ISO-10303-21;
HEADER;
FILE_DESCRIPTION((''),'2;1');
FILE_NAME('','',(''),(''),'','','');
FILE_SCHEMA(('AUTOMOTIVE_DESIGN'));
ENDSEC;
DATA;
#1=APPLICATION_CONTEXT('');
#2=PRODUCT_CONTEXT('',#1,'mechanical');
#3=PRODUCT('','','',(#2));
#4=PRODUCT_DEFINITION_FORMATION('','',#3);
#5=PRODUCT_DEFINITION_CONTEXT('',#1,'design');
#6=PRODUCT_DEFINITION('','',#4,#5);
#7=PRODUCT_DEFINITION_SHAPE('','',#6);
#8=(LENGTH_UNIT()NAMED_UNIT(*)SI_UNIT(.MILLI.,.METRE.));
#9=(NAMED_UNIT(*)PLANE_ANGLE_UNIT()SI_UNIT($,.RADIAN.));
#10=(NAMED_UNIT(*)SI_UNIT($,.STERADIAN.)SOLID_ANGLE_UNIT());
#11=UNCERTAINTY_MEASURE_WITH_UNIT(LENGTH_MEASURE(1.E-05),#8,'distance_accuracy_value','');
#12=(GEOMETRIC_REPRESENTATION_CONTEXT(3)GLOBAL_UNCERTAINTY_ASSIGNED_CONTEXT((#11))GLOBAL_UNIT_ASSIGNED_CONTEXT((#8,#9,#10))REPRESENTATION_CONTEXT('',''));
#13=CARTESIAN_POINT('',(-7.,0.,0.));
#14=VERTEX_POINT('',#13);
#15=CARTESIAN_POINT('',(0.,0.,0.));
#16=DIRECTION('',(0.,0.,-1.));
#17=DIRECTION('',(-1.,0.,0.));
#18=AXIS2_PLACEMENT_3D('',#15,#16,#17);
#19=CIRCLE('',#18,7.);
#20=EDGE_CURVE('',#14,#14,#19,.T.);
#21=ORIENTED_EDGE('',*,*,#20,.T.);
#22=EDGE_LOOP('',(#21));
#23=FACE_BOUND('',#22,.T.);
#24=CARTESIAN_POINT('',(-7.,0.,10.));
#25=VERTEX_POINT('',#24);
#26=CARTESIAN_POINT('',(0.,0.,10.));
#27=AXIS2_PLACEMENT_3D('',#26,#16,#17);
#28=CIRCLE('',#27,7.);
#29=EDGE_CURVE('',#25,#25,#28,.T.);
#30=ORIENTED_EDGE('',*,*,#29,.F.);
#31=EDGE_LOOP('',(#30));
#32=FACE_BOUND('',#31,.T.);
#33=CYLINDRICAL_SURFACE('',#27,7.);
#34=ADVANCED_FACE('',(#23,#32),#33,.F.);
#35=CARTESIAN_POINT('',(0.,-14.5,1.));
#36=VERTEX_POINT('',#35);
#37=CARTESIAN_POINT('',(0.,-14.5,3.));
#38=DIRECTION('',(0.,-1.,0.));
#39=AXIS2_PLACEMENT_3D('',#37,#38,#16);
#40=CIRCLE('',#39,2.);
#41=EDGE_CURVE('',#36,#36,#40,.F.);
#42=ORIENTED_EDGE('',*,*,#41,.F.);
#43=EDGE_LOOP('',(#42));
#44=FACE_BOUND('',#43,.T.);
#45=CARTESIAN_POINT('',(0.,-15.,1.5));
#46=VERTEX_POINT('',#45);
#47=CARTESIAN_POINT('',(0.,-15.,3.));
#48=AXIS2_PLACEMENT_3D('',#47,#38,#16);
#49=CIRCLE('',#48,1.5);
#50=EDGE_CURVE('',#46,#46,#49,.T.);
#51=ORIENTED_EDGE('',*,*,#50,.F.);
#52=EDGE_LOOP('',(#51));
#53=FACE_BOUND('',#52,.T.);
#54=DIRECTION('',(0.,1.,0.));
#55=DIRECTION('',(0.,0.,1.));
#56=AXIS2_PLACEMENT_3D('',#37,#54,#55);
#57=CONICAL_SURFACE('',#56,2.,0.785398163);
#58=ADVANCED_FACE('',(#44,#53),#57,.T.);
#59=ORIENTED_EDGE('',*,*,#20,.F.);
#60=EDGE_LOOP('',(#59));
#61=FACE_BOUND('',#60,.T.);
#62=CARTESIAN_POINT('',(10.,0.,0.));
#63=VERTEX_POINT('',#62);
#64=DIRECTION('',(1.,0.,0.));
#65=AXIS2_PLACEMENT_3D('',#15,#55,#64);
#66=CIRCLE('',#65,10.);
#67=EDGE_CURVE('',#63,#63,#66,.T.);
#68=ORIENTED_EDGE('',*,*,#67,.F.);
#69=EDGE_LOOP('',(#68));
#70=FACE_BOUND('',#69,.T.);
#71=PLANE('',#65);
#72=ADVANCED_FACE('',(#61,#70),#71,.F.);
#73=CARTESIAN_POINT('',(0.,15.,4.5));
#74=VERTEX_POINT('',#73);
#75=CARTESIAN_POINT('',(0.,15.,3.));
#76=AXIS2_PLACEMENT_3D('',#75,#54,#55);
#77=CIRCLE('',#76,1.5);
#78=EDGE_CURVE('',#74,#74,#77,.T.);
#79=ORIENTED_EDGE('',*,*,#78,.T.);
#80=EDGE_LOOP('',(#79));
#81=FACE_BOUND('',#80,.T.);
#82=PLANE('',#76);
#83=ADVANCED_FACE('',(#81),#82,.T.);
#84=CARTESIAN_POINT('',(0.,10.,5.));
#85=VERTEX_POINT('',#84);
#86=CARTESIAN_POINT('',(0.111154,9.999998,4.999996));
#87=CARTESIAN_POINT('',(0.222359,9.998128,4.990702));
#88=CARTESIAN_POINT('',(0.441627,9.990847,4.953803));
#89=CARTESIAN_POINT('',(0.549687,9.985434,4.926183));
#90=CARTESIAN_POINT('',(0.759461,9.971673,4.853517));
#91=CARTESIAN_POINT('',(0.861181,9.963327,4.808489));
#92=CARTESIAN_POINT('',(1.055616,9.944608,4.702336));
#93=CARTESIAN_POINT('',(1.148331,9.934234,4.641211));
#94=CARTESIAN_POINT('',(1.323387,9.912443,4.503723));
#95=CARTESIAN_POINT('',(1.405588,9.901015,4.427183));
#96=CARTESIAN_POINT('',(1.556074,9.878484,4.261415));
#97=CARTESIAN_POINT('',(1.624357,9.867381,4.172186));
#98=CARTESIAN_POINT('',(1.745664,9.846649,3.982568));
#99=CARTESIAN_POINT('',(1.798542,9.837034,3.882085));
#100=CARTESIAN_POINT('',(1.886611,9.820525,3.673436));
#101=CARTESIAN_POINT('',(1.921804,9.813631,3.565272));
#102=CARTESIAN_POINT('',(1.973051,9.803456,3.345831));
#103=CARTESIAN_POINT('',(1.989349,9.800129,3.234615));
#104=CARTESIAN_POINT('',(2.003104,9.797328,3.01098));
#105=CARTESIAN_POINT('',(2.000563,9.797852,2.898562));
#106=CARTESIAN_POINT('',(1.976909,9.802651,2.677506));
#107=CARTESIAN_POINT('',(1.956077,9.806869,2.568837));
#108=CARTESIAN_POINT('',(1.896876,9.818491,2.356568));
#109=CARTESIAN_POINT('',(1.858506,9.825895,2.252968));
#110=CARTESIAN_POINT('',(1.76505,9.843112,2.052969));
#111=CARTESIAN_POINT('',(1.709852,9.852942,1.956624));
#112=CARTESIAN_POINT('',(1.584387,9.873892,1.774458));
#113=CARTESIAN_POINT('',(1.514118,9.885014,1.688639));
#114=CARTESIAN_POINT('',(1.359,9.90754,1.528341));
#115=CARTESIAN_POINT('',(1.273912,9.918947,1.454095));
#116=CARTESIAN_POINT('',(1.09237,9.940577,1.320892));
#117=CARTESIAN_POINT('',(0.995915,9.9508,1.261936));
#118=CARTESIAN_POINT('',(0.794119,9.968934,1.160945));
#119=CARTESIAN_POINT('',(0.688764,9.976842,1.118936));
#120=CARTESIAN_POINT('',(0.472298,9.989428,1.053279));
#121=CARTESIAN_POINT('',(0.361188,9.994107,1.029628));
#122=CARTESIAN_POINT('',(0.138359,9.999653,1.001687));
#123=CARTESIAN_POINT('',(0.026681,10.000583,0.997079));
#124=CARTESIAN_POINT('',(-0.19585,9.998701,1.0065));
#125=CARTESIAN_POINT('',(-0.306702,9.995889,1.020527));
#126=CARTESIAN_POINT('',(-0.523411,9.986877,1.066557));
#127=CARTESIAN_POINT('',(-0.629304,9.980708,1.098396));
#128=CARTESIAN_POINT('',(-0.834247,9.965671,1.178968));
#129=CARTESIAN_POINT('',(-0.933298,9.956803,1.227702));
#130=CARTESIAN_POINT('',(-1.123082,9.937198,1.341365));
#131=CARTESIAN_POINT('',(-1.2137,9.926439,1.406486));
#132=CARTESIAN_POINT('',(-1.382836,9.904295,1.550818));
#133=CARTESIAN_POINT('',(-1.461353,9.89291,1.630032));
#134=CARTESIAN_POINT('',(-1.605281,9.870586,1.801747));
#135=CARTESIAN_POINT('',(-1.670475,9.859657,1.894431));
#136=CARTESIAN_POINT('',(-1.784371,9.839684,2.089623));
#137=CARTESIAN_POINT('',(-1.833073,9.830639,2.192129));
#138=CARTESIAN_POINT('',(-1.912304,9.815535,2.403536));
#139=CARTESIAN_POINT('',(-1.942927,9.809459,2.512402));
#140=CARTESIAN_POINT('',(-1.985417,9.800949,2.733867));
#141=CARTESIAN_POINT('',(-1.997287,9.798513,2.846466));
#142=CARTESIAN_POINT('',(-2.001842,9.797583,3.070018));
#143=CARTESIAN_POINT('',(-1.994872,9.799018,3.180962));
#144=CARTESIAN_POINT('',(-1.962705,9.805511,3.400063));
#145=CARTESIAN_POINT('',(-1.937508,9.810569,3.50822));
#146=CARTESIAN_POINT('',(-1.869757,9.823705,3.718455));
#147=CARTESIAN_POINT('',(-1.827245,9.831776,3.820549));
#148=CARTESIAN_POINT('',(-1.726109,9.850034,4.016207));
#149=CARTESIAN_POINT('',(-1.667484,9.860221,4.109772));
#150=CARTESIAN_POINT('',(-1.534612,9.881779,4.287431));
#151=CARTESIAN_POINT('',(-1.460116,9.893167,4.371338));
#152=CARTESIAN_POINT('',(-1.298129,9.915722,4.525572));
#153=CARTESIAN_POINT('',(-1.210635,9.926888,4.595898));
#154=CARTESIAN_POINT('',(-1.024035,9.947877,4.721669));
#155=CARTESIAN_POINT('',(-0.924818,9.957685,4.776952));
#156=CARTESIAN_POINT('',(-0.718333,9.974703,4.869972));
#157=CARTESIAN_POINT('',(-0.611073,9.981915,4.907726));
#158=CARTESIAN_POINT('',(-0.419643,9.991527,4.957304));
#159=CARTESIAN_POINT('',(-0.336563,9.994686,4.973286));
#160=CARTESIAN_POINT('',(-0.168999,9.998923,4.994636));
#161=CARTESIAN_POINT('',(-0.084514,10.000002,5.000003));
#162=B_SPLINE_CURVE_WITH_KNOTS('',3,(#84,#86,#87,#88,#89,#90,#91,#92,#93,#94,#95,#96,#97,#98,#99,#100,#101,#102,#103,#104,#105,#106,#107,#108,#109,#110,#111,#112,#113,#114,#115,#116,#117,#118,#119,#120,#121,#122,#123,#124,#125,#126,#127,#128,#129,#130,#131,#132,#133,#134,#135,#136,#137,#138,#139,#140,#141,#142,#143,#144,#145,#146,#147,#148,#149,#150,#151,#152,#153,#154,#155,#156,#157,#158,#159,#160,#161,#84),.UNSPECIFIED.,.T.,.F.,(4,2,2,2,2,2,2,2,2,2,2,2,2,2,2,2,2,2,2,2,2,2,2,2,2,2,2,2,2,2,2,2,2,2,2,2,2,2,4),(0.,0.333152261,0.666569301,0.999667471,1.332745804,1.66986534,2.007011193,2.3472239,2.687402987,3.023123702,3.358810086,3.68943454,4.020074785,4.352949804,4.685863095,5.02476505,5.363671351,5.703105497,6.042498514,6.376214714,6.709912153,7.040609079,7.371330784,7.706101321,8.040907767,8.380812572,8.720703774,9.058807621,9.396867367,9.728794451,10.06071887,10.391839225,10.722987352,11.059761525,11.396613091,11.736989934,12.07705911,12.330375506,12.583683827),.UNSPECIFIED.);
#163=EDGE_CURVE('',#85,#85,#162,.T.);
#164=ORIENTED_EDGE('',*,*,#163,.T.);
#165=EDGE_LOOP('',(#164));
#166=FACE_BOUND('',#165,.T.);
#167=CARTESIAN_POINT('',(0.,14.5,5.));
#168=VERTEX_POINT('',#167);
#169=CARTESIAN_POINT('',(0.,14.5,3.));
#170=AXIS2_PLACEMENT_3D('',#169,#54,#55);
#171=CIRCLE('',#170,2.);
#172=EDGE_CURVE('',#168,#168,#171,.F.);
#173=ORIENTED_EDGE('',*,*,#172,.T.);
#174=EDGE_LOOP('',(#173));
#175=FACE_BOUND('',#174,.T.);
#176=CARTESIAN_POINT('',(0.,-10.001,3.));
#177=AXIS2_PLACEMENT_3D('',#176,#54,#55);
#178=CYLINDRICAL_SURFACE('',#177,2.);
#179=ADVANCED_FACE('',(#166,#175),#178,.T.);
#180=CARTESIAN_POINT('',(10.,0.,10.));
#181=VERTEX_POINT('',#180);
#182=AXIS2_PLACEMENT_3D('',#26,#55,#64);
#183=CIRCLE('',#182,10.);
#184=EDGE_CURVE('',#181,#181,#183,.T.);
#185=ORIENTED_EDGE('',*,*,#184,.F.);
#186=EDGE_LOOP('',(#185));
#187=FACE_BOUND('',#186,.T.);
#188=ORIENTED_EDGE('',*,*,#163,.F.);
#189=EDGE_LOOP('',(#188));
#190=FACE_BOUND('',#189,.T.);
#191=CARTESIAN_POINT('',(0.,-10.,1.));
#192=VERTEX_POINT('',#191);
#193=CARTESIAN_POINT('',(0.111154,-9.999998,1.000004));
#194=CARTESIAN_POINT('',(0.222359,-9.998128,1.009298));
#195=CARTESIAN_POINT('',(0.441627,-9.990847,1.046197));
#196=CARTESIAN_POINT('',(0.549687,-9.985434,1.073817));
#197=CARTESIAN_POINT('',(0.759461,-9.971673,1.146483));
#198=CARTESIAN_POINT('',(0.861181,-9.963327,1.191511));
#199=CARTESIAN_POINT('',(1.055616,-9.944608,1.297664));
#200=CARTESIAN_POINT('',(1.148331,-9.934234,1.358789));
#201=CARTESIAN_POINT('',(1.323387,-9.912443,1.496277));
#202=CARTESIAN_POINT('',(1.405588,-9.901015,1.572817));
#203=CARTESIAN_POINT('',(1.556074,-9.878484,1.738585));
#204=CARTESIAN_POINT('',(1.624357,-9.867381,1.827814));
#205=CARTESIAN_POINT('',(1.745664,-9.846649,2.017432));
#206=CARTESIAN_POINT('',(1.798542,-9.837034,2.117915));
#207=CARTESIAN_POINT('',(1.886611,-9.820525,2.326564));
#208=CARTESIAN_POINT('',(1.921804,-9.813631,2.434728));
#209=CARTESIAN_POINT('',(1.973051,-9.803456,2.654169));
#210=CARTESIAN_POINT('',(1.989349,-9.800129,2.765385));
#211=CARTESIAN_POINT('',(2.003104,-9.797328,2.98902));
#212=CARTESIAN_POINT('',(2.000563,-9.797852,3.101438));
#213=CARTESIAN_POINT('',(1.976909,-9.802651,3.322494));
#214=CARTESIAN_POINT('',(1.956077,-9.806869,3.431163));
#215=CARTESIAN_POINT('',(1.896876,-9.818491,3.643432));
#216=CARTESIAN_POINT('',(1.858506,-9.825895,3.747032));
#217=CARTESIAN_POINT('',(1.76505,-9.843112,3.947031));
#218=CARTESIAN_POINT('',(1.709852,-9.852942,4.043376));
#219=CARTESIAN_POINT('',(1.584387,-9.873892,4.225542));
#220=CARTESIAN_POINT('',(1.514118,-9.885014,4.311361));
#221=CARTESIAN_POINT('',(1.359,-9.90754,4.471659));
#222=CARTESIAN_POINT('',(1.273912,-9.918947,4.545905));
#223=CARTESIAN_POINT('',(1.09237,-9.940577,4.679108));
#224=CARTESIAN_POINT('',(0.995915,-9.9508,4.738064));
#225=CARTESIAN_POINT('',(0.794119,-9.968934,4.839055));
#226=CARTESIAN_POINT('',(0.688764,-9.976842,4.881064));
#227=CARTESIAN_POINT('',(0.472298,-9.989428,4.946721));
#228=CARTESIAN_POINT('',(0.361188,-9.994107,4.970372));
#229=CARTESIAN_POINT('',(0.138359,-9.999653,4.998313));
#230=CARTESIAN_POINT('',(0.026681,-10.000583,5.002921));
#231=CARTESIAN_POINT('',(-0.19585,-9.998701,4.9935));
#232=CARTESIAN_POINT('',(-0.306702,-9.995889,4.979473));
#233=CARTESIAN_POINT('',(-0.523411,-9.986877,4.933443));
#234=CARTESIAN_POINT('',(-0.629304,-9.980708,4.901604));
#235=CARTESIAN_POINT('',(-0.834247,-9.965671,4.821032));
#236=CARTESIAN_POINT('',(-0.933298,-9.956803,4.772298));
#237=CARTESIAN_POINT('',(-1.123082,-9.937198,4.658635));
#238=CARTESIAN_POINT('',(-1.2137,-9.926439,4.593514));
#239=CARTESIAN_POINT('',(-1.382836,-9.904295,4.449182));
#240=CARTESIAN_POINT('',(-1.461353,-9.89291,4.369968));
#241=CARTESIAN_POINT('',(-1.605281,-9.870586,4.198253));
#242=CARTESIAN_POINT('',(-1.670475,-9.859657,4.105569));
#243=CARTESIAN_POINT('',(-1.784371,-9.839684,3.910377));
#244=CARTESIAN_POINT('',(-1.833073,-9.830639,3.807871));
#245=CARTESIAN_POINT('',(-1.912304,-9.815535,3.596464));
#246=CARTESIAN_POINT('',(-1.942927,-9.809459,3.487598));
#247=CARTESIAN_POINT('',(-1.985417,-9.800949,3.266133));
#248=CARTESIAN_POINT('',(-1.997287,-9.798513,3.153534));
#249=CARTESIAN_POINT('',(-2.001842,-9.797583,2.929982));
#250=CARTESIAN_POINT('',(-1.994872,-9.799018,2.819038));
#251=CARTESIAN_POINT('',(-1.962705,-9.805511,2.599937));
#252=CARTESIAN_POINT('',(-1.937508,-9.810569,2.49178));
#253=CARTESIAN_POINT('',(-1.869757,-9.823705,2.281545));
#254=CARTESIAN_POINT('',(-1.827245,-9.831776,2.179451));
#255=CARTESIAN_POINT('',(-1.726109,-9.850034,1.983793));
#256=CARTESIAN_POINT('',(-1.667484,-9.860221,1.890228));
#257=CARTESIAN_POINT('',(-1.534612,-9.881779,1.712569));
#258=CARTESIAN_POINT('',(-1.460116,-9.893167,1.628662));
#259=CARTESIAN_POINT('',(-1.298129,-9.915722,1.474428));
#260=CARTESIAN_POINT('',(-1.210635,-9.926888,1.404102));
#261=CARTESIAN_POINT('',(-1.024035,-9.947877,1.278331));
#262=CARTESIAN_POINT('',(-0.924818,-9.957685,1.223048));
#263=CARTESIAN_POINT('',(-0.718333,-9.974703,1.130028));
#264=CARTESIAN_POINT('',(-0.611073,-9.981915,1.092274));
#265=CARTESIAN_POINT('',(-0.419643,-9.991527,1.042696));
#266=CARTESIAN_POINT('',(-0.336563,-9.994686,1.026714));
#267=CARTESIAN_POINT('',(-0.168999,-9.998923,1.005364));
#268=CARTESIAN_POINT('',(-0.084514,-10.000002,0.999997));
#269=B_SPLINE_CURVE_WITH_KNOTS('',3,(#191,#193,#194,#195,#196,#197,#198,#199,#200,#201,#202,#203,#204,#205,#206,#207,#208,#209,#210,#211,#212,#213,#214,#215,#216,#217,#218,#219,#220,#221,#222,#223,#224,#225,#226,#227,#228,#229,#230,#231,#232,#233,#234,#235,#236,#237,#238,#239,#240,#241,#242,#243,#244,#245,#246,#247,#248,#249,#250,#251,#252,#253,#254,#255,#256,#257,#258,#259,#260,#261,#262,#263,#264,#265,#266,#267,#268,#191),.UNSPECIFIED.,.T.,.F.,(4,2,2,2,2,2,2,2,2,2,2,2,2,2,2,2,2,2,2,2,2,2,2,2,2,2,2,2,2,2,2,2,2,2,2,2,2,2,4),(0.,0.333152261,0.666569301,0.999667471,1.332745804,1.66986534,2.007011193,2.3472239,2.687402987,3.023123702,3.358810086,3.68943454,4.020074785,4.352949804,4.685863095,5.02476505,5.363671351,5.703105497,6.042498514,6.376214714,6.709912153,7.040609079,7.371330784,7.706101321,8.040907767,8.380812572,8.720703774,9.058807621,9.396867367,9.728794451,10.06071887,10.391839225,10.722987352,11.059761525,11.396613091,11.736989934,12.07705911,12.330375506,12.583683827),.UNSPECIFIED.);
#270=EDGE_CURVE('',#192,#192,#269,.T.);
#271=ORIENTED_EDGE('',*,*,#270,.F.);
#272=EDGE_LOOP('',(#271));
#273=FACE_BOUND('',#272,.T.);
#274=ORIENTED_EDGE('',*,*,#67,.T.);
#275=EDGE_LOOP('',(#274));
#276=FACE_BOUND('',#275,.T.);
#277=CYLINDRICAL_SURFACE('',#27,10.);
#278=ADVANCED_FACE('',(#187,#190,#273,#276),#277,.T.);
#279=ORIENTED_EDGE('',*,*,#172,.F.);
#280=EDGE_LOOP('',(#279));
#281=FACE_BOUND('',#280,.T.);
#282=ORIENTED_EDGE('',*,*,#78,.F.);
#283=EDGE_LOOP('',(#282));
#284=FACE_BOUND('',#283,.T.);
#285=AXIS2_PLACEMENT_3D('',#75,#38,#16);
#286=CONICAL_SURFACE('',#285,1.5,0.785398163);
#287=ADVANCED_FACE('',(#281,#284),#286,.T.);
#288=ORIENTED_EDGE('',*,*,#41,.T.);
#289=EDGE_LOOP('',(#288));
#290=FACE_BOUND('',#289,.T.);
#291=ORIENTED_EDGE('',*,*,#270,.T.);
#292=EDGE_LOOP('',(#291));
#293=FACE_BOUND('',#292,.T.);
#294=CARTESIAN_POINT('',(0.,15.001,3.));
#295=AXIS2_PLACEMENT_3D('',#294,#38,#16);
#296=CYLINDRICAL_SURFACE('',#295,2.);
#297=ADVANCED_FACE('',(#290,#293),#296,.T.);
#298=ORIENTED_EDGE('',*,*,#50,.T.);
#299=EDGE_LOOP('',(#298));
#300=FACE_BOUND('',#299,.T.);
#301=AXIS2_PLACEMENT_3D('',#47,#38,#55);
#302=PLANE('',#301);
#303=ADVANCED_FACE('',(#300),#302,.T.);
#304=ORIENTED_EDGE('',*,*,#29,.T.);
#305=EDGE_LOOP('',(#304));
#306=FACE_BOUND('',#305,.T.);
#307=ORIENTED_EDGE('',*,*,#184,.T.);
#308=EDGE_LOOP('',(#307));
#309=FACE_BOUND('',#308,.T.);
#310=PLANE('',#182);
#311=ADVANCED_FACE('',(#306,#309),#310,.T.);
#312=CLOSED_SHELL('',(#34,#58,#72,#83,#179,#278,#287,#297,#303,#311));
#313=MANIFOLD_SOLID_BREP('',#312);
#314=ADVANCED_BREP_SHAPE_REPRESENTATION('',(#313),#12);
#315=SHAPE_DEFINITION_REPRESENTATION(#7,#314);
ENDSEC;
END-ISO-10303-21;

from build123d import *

# Parameters (mm, degrees)
SKETCH1_R                = 10
BOSS_EXTRUDE1_DEPTH      = 10
SKETCH2_R                = 7
CUT_EXTRUDE1_DEPTH       = 18.320508076
BOSS_EXTRUDE3_REACH      = 30.723
BOSS_EXTRUDE3_END_RADIUS = 10
SKETCH4_R                = 2
CHAMFER2_SIZE            = 0.5


with BuildPart() as part:
    # Sketch1 → Boss-Extrude1 (new body)
    with BuildSketch(Plane.XY):
        Circle(SKETCH1_R)
    extrude(amount=BOSS_EXTRUDE1_DEPTH)

    # Sketch2 → Cut-Extrude1 (cut, through all)
    with BuildSketch(Plane(origin=(0, 0, 0), x_dir=(-1, 0, 0), z_dir=(0, 0, -1))):
        Circle(SKETCH2_R)
    extrude(amount=-CUT_EXTRUDE1_DEPTH, mode=Mode.SUBTRACT)

    # Boss-Extrude3: up to this cylinder (the profile starts outside it)
    boss_extrude3_end = Plane(origin=(0, 0, 3), z_dir=(0, 0, -1)) * Cylinder(BOSS_EXTRUDE3_END_RADIUS, 82.446, mode=Mode.PRIVATE)
    # Sketch4 → Boss-Extrude3 (add, up to the surface)
    with BuildSketch(Plane(origin=(0, 15, 0), x_dir=(1, 0, 0), z_dir=(0, 1, 0)), mode=Mode.PRIVATE) as boss_extrude3_sk1:
        with Locations(Location((0, -3, 0), (0, 0, 270))):
            Circle(SKETCH4_R)
    boss_extrude3_tool1 = extrude(boss_extrude3_sk1.sketch, amount=-BOSS_EXTRUDE3_REACH, mode=Mode.PRIVATE) - boss_extrude3_end
    boss_extrude3 = boss_extrude3_tool1.solids().sort_by_distance((0, 15, 3))[0]
    add(boss_extrude3)

    # Mirror2: Boss-Extrude3 across plane
    add(boss_extrude3.mirror(Plane.ZX))

    # Chamfer2
    chamfer2_edges = [part.edges().sort_by_distance(p)[0] for p in [
        (0, 15, 1),
        (0, -15, 1),
    ]]
    chamfer(chamfer2_edges, length=CHAMFER2_SIZE)


solid = part.part
